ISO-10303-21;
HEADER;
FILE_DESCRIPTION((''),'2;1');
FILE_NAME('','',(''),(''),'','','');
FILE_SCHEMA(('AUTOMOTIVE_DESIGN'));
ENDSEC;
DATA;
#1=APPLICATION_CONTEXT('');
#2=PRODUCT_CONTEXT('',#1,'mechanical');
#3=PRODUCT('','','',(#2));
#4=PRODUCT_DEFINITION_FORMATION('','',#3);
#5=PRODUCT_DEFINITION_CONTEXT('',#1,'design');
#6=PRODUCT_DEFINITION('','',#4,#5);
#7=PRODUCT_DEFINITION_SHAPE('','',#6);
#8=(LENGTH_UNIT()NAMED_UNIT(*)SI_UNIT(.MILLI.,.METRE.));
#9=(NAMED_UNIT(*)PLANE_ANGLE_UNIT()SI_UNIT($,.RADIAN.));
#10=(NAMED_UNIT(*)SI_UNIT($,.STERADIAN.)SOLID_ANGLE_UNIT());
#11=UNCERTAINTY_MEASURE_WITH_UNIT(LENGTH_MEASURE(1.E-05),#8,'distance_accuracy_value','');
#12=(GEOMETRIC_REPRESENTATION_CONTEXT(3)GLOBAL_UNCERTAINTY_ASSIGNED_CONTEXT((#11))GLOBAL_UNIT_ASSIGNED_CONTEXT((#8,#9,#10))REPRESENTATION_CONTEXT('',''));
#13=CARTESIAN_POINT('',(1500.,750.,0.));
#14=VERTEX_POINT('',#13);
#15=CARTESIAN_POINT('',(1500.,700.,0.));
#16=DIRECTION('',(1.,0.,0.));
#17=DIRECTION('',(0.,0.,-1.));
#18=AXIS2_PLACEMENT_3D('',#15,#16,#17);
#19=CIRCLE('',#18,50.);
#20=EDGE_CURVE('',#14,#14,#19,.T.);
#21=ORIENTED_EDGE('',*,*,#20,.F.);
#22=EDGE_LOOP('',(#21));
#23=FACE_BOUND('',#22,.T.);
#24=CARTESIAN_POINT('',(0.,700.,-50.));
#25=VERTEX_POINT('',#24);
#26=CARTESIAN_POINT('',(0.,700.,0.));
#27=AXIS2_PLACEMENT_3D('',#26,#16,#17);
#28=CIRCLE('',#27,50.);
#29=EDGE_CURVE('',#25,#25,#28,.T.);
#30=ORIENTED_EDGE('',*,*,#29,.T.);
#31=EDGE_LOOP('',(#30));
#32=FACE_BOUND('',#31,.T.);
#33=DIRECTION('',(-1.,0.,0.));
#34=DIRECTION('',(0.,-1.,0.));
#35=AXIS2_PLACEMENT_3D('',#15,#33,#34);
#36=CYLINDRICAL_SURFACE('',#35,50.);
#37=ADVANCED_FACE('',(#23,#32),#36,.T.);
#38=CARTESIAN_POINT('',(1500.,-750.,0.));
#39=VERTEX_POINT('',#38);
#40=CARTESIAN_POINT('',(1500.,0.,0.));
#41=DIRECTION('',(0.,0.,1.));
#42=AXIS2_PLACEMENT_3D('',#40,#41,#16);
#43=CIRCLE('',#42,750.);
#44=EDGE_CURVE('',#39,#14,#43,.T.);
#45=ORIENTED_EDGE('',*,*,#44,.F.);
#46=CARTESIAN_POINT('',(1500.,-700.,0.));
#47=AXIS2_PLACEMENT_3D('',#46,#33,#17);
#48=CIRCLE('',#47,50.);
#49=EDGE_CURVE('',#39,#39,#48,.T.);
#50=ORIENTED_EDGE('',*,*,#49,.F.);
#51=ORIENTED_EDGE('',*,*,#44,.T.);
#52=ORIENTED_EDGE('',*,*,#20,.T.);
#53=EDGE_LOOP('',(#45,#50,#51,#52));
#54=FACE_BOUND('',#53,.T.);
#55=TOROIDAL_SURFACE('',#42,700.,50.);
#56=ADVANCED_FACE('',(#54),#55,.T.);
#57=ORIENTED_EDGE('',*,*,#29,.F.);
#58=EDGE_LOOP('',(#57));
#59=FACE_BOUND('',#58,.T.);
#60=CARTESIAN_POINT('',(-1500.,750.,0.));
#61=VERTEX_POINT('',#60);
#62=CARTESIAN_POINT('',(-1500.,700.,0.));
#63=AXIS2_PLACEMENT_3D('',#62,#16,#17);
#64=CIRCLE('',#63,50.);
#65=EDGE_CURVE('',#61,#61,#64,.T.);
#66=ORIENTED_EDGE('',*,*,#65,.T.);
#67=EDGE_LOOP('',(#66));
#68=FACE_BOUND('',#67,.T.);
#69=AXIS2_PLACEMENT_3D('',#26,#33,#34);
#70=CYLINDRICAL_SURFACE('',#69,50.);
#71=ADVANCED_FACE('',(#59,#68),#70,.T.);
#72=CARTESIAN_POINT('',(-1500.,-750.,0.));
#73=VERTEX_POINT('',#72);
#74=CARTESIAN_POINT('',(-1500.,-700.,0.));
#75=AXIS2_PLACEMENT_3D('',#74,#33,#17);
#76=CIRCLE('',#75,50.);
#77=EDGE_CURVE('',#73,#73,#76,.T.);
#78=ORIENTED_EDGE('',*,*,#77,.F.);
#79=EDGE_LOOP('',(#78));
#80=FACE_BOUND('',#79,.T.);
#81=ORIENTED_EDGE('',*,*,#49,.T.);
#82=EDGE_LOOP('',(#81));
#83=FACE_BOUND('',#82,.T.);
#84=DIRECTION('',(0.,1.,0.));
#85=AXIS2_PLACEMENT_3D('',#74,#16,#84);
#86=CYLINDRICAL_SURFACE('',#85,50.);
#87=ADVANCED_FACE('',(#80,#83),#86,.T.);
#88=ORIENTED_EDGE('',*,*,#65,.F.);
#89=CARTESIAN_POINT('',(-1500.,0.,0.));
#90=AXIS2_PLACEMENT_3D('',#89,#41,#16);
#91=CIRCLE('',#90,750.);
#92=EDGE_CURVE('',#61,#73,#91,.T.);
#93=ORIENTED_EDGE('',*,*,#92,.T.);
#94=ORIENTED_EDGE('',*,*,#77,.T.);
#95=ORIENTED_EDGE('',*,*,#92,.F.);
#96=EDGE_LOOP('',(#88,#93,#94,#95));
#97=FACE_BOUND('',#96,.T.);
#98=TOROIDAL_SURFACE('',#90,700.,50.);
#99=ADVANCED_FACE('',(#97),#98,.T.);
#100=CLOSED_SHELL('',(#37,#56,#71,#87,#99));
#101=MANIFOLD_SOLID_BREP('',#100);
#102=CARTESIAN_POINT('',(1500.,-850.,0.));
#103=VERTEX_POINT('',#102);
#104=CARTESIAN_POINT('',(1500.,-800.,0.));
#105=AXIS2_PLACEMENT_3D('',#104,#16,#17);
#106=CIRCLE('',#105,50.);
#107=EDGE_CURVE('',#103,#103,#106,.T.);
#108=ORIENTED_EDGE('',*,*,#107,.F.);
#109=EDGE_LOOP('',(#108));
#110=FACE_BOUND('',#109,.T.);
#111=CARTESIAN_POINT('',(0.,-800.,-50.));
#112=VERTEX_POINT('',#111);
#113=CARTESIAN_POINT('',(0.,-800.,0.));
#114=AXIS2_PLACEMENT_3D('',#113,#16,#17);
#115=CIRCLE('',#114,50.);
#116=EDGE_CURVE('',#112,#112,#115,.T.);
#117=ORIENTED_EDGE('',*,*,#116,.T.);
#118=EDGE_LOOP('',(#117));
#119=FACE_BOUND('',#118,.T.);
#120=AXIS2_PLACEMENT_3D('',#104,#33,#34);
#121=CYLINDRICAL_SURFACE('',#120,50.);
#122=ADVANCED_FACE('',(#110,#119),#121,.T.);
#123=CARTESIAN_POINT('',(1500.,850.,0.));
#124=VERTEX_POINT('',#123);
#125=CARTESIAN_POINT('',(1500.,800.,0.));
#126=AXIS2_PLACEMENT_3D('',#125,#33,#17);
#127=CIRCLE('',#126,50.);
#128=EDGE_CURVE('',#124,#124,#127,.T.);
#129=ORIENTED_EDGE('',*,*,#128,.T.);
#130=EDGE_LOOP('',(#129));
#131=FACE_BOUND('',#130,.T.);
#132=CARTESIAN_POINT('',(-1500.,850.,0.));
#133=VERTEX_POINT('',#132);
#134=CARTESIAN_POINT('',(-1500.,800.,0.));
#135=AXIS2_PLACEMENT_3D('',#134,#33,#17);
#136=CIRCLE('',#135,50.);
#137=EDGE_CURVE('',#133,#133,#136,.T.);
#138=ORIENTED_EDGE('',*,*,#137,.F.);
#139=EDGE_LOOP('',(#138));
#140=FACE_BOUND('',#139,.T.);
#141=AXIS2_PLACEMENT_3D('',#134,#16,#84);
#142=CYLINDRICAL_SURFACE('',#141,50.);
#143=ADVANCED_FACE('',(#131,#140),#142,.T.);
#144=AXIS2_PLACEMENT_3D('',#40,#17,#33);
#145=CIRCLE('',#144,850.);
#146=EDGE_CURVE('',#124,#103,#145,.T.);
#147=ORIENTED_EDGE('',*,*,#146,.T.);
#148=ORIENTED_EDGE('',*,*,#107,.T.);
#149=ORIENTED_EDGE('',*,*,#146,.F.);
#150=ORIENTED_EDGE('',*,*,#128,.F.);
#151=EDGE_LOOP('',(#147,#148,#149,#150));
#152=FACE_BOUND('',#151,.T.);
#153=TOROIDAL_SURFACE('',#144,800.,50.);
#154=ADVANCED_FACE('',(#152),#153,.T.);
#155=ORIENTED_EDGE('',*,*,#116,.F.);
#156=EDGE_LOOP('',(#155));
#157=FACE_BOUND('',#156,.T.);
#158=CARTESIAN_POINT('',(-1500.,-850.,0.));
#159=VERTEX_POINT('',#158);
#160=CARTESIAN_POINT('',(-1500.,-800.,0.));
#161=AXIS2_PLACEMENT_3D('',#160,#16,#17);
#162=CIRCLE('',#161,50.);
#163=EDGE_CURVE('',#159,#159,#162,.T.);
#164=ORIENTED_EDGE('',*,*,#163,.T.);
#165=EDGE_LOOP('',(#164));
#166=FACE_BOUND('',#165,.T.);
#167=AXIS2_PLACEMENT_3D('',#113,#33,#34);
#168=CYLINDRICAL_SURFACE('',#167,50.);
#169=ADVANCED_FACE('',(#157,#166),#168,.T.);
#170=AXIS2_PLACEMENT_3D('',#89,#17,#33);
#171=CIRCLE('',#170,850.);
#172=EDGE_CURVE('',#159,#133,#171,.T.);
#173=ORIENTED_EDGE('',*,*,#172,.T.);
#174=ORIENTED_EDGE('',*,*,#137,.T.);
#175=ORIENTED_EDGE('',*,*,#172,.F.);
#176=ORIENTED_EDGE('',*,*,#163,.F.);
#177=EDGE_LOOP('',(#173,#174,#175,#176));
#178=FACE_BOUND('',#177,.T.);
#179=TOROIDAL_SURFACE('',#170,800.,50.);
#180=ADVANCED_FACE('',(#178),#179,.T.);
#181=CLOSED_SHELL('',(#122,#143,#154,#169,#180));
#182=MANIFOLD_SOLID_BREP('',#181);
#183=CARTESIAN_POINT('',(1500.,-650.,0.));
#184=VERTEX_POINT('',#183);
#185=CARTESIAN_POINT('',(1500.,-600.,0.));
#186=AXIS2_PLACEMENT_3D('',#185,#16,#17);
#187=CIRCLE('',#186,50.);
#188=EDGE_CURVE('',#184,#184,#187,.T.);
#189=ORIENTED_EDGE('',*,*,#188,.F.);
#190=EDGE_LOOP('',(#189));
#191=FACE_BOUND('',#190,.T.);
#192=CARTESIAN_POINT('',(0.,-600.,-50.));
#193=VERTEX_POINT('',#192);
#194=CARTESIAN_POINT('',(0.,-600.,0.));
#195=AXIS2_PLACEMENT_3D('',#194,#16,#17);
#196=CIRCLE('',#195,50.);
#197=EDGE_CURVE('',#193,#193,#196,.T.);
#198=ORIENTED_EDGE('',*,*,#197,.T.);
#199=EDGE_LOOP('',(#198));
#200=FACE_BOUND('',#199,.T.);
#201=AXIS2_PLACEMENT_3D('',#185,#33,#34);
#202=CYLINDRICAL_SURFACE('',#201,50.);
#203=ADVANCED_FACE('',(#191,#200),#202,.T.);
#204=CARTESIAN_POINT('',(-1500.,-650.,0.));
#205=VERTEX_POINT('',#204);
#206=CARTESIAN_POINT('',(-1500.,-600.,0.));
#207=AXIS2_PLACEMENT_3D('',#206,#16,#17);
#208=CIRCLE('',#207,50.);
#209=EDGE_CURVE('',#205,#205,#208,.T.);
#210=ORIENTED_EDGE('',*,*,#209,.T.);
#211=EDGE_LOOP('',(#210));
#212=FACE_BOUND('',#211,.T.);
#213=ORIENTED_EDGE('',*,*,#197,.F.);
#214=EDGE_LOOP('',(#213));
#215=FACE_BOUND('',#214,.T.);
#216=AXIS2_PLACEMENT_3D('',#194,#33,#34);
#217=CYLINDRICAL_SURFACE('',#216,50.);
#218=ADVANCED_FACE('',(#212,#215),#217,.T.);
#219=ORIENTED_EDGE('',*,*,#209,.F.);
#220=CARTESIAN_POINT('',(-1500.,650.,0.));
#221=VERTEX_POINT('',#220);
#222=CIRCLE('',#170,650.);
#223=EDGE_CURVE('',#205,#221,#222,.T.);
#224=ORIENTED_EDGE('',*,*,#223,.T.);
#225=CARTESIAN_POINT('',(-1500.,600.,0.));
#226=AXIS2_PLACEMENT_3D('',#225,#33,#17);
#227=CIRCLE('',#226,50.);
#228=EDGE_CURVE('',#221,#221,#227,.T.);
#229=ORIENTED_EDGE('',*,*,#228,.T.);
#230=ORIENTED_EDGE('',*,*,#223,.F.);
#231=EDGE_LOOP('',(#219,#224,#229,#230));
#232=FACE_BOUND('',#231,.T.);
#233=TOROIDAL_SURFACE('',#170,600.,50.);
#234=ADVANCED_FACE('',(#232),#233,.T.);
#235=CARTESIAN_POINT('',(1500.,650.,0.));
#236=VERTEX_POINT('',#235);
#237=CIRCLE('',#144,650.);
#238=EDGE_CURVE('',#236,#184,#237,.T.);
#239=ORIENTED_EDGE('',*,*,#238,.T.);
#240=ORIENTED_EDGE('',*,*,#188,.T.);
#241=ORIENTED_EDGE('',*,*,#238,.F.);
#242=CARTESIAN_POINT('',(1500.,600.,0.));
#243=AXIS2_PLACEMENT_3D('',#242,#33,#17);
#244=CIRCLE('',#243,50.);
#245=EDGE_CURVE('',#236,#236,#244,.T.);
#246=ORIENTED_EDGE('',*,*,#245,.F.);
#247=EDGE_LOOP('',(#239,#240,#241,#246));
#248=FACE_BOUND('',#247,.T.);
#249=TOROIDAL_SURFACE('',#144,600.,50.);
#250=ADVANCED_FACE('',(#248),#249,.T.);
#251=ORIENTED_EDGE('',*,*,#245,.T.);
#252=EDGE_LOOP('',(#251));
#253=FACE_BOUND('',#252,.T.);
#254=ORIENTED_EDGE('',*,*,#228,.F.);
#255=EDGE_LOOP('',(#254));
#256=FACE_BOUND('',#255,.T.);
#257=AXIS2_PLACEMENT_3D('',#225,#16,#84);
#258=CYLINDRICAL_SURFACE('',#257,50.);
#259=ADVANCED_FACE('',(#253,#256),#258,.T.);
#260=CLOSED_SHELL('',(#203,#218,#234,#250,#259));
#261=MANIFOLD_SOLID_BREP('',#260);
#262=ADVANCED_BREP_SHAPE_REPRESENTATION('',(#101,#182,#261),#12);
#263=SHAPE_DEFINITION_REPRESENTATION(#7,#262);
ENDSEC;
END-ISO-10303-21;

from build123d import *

# Parameters (mm, degrees)
SKETCH31_R = 50
SKETCH33_R = 50
SKETCH35_R = 50


with BuildPart() as part:
    # Sweep1: sweep along a path in Sketch30
    with BuildLine(Plane.XY) as sweep1_path:
        Line((-1500, 800), (1500, 800))
        ThreePointArc((1500, 800), (2300, 0), (1500, -800))
        Line((1500, -800), (-1500, -800))
        ThreePointArc((-1500, -800), (-2300, 0), (-1500, 800))
    # Sketch31 → Sweep1 (sweep)
    with BuildSketch(Plane(origin=(0, 0, 0), x_dir=(0, 0, -1), z_dir=(1, 0, 0))):
        with Locations((0, -800)):
            Circle(SKETCH31_R)
    sweep(path=sweep1_path.line)


with BuildPart() as body_2:
    # Sweep2: sweep along a path in Sketch32
    with BuildLine(Plane.XY) as sweep2_path:
        Line((-1500, 700), (1500, 700))
        ThreePointArc((1500, 700), (2200, 0), (1500, -700))
        Line((1500, -700), (-1500, -700))
        ThreePointArc((-1500, -700), (-2200, 0), (-1500, 700))
    # Sketch33 → Sweep2 (sweep)
    with BuildSketch(Plane(origin=(0, 0, 0), x_dir=(0, 0, -1), z_dir=(1, 0, 0))):
        with Locations((0, 700)):
            Circle(SKETCH33_R)
    sweep(path=sweep2_path.line)


with BuildPart() as body_3:
    # Sweep3: sweep along a path in Sketch34
    with BuildLine(Plane.XY) as sweep3_path:
        Line((-1500, 600), (1500, 600))
        ThreePointArc((1500, 600), (2100, 0), (1500, -600))
        Line((1500, -600), (-1500, -600))
        ThreePointArc((-1500, -600), (-2100, 0), (-1500, 600))
    # Sketch35 → Sweep3 (sweep)
    with BuildSketch(Plane(origin=(0, 0, 0), x_dir=(0, 0, -1), z_dir=(1, 0, 0))):
        with Locations((0, -600)):
            Circle(SKETCH35_R)
    sweep(path=sweep3_path.line)


solid = Compound([part.part, body_2.part, body_3.part])
